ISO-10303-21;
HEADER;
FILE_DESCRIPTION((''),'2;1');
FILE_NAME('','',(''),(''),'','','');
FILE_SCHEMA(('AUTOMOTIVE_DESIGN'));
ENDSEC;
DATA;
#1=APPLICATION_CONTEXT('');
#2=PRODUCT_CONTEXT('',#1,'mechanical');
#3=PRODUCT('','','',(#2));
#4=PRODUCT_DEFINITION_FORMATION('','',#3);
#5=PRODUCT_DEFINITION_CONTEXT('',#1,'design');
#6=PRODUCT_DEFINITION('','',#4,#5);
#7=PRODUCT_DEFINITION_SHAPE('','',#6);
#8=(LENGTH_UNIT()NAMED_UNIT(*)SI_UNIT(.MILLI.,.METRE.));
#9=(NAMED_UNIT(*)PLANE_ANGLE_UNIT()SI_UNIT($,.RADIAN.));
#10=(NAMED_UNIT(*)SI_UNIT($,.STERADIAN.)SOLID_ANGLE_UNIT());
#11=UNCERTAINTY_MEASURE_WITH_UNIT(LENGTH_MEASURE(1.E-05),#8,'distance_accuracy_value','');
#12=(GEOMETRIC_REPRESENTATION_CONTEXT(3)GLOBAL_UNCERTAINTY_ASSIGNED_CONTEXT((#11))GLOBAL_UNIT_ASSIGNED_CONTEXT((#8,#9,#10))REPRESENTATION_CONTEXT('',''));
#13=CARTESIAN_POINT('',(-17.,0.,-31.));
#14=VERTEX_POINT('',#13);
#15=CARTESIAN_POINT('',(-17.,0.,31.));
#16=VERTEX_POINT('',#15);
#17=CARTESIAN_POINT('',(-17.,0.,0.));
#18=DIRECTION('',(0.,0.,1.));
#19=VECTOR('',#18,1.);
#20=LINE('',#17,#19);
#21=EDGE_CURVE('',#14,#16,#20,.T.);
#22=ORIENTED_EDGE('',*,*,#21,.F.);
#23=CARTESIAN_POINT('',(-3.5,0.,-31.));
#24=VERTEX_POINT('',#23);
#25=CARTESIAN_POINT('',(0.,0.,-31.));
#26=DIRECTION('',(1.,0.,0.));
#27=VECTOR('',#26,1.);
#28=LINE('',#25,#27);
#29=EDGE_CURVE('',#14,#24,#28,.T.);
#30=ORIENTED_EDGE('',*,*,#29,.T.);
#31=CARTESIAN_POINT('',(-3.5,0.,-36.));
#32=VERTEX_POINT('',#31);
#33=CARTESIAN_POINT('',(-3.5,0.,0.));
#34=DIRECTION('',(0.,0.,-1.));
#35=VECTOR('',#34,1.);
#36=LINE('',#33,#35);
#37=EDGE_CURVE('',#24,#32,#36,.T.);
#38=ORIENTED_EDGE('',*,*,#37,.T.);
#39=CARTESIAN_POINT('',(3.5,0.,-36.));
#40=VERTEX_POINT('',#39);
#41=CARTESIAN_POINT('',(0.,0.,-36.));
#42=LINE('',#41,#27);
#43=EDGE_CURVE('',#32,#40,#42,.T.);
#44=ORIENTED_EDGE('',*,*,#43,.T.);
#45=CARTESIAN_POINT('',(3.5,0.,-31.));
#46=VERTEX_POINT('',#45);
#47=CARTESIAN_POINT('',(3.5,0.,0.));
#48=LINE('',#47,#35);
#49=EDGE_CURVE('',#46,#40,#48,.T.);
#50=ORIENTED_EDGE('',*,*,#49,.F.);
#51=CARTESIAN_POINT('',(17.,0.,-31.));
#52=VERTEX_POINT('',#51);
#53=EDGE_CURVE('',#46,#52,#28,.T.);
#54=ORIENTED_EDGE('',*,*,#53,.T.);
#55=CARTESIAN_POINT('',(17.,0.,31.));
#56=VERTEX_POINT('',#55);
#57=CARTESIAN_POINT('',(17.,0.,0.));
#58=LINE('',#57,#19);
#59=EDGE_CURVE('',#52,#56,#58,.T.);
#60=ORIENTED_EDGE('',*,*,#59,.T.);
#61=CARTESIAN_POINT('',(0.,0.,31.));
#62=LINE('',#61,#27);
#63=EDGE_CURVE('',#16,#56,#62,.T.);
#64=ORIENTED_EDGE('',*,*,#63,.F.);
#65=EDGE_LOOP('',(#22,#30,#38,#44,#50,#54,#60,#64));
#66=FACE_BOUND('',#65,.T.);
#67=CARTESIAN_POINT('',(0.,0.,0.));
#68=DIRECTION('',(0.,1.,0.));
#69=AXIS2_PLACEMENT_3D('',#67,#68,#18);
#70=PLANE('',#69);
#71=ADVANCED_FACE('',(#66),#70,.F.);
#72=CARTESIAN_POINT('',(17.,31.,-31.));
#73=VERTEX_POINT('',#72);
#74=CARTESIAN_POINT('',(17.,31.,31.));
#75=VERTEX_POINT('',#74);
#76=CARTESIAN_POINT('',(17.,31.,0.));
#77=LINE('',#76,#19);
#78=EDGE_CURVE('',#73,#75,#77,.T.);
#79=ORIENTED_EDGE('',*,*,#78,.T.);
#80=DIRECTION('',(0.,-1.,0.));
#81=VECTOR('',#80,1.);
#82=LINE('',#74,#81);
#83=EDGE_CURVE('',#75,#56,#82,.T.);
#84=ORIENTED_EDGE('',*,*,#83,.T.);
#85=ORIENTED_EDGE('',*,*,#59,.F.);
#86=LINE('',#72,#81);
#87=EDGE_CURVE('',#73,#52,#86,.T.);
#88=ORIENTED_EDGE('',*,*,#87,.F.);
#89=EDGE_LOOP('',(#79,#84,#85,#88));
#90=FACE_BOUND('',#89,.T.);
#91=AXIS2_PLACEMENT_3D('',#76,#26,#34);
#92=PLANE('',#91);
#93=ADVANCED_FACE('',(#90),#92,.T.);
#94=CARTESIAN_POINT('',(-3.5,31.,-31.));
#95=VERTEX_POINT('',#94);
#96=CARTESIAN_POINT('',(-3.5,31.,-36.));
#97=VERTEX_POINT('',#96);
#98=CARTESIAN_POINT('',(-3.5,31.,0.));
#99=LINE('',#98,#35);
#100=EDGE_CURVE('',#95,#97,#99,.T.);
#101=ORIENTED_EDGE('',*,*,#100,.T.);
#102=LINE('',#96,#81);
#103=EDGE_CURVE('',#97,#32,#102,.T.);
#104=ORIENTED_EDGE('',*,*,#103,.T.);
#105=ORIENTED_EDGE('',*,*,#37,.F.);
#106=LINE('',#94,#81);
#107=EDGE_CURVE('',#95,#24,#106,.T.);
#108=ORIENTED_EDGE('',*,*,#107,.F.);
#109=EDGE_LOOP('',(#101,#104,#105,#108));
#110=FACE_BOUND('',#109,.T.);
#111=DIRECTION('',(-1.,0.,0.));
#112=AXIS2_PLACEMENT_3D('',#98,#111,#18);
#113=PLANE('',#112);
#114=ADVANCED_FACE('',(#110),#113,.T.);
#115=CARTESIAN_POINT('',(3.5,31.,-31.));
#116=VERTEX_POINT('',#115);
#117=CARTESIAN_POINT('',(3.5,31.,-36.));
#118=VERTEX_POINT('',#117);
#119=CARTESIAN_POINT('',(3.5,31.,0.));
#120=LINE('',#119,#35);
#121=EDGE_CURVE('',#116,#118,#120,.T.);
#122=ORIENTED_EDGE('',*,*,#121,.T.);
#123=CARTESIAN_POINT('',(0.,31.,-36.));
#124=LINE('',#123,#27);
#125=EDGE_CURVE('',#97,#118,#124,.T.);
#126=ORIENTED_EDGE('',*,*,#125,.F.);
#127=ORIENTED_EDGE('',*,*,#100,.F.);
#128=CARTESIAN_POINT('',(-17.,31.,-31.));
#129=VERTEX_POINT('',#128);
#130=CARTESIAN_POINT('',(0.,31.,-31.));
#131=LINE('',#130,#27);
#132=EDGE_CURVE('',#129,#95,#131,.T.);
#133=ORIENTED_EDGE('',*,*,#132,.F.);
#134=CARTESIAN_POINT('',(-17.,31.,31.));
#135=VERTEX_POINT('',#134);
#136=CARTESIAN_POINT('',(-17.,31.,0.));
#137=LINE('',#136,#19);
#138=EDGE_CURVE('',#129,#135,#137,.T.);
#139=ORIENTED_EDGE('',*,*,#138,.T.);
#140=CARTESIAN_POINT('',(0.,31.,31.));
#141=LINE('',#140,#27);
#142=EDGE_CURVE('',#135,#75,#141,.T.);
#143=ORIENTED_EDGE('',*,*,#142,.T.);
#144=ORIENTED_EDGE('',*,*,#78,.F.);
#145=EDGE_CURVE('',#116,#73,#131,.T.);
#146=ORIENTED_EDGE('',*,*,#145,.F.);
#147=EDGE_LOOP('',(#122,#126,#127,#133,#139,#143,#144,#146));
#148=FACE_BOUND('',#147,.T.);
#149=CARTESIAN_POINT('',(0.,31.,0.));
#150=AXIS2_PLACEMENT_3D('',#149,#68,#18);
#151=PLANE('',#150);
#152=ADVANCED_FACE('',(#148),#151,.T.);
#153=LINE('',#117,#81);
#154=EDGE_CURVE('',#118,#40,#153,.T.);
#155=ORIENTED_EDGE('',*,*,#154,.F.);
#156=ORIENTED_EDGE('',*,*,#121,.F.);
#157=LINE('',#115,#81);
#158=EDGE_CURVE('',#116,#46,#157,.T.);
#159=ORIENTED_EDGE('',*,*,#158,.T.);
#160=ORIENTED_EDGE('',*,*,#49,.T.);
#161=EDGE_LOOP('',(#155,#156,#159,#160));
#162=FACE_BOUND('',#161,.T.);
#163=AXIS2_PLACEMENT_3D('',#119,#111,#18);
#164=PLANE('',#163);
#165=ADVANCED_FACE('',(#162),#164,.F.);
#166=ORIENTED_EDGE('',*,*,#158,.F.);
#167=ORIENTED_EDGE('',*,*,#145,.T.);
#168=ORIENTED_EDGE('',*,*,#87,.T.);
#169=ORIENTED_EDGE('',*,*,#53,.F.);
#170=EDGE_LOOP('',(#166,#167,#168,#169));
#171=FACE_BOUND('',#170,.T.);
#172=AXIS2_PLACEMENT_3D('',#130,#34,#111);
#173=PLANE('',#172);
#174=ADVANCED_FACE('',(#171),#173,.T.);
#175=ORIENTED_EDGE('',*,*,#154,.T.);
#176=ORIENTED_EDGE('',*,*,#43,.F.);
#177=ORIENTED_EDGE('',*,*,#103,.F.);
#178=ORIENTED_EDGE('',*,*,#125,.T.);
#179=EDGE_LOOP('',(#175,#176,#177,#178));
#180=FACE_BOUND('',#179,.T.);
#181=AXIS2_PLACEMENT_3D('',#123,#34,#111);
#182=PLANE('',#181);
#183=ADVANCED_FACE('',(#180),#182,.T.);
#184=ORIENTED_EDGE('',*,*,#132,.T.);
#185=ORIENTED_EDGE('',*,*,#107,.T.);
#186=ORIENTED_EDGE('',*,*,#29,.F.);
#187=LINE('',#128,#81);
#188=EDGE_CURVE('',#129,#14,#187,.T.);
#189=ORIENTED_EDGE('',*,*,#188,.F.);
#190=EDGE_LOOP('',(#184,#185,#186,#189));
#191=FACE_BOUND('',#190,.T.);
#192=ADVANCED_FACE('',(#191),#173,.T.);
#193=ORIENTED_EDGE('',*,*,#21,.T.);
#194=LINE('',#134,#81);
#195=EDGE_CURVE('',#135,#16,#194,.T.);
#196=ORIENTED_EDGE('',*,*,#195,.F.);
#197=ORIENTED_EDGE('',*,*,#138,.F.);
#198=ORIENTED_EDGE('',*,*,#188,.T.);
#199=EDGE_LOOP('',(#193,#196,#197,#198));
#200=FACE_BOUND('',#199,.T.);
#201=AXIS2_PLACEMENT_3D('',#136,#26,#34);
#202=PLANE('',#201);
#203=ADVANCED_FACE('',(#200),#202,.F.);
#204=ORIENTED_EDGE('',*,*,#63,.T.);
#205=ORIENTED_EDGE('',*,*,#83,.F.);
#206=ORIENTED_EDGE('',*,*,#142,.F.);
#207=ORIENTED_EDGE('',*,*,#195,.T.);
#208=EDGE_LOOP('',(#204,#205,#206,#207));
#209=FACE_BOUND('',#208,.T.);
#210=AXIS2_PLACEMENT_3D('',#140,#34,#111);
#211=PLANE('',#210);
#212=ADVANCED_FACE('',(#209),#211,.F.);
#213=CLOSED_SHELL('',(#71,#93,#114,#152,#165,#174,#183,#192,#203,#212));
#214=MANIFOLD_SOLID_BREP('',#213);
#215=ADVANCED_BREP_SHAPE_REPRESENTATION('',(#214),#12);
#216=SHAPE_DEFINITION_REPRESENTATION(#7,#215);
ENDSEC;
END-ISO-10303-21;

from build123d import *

# Parameters (mm, degrees)
SKETCH1_W           = 7
SKETCH1_H           = 5
BOSS_EXTRUDE1_DEPTH = 31


with BuildPart() as part:
    # Sketch1 → Boss-Extrude1 (new body)
    with BuildSketch(Plane(origin=(0, 0, 0), x_dir=(1, 0, 0), z_dir=(0, 1, 0))):
        with Locations((0, 28.5)):
            Rectangle(SKETCH1_W, SKETCH1_H)
        with Locations((0, 33.5)):
            Rectangle(SKETCH1_W, SKETCH1_H)
        Polygon((-3.5, 31), (-17, 31), (-17, -31), (17, -31), (17, 31), (3.5, 31), (3.5, 26), (-3.5, 26), align=None)
    extrude(amount=BOSS_EXTRUDE1_DEPTH)


solid = part.part
